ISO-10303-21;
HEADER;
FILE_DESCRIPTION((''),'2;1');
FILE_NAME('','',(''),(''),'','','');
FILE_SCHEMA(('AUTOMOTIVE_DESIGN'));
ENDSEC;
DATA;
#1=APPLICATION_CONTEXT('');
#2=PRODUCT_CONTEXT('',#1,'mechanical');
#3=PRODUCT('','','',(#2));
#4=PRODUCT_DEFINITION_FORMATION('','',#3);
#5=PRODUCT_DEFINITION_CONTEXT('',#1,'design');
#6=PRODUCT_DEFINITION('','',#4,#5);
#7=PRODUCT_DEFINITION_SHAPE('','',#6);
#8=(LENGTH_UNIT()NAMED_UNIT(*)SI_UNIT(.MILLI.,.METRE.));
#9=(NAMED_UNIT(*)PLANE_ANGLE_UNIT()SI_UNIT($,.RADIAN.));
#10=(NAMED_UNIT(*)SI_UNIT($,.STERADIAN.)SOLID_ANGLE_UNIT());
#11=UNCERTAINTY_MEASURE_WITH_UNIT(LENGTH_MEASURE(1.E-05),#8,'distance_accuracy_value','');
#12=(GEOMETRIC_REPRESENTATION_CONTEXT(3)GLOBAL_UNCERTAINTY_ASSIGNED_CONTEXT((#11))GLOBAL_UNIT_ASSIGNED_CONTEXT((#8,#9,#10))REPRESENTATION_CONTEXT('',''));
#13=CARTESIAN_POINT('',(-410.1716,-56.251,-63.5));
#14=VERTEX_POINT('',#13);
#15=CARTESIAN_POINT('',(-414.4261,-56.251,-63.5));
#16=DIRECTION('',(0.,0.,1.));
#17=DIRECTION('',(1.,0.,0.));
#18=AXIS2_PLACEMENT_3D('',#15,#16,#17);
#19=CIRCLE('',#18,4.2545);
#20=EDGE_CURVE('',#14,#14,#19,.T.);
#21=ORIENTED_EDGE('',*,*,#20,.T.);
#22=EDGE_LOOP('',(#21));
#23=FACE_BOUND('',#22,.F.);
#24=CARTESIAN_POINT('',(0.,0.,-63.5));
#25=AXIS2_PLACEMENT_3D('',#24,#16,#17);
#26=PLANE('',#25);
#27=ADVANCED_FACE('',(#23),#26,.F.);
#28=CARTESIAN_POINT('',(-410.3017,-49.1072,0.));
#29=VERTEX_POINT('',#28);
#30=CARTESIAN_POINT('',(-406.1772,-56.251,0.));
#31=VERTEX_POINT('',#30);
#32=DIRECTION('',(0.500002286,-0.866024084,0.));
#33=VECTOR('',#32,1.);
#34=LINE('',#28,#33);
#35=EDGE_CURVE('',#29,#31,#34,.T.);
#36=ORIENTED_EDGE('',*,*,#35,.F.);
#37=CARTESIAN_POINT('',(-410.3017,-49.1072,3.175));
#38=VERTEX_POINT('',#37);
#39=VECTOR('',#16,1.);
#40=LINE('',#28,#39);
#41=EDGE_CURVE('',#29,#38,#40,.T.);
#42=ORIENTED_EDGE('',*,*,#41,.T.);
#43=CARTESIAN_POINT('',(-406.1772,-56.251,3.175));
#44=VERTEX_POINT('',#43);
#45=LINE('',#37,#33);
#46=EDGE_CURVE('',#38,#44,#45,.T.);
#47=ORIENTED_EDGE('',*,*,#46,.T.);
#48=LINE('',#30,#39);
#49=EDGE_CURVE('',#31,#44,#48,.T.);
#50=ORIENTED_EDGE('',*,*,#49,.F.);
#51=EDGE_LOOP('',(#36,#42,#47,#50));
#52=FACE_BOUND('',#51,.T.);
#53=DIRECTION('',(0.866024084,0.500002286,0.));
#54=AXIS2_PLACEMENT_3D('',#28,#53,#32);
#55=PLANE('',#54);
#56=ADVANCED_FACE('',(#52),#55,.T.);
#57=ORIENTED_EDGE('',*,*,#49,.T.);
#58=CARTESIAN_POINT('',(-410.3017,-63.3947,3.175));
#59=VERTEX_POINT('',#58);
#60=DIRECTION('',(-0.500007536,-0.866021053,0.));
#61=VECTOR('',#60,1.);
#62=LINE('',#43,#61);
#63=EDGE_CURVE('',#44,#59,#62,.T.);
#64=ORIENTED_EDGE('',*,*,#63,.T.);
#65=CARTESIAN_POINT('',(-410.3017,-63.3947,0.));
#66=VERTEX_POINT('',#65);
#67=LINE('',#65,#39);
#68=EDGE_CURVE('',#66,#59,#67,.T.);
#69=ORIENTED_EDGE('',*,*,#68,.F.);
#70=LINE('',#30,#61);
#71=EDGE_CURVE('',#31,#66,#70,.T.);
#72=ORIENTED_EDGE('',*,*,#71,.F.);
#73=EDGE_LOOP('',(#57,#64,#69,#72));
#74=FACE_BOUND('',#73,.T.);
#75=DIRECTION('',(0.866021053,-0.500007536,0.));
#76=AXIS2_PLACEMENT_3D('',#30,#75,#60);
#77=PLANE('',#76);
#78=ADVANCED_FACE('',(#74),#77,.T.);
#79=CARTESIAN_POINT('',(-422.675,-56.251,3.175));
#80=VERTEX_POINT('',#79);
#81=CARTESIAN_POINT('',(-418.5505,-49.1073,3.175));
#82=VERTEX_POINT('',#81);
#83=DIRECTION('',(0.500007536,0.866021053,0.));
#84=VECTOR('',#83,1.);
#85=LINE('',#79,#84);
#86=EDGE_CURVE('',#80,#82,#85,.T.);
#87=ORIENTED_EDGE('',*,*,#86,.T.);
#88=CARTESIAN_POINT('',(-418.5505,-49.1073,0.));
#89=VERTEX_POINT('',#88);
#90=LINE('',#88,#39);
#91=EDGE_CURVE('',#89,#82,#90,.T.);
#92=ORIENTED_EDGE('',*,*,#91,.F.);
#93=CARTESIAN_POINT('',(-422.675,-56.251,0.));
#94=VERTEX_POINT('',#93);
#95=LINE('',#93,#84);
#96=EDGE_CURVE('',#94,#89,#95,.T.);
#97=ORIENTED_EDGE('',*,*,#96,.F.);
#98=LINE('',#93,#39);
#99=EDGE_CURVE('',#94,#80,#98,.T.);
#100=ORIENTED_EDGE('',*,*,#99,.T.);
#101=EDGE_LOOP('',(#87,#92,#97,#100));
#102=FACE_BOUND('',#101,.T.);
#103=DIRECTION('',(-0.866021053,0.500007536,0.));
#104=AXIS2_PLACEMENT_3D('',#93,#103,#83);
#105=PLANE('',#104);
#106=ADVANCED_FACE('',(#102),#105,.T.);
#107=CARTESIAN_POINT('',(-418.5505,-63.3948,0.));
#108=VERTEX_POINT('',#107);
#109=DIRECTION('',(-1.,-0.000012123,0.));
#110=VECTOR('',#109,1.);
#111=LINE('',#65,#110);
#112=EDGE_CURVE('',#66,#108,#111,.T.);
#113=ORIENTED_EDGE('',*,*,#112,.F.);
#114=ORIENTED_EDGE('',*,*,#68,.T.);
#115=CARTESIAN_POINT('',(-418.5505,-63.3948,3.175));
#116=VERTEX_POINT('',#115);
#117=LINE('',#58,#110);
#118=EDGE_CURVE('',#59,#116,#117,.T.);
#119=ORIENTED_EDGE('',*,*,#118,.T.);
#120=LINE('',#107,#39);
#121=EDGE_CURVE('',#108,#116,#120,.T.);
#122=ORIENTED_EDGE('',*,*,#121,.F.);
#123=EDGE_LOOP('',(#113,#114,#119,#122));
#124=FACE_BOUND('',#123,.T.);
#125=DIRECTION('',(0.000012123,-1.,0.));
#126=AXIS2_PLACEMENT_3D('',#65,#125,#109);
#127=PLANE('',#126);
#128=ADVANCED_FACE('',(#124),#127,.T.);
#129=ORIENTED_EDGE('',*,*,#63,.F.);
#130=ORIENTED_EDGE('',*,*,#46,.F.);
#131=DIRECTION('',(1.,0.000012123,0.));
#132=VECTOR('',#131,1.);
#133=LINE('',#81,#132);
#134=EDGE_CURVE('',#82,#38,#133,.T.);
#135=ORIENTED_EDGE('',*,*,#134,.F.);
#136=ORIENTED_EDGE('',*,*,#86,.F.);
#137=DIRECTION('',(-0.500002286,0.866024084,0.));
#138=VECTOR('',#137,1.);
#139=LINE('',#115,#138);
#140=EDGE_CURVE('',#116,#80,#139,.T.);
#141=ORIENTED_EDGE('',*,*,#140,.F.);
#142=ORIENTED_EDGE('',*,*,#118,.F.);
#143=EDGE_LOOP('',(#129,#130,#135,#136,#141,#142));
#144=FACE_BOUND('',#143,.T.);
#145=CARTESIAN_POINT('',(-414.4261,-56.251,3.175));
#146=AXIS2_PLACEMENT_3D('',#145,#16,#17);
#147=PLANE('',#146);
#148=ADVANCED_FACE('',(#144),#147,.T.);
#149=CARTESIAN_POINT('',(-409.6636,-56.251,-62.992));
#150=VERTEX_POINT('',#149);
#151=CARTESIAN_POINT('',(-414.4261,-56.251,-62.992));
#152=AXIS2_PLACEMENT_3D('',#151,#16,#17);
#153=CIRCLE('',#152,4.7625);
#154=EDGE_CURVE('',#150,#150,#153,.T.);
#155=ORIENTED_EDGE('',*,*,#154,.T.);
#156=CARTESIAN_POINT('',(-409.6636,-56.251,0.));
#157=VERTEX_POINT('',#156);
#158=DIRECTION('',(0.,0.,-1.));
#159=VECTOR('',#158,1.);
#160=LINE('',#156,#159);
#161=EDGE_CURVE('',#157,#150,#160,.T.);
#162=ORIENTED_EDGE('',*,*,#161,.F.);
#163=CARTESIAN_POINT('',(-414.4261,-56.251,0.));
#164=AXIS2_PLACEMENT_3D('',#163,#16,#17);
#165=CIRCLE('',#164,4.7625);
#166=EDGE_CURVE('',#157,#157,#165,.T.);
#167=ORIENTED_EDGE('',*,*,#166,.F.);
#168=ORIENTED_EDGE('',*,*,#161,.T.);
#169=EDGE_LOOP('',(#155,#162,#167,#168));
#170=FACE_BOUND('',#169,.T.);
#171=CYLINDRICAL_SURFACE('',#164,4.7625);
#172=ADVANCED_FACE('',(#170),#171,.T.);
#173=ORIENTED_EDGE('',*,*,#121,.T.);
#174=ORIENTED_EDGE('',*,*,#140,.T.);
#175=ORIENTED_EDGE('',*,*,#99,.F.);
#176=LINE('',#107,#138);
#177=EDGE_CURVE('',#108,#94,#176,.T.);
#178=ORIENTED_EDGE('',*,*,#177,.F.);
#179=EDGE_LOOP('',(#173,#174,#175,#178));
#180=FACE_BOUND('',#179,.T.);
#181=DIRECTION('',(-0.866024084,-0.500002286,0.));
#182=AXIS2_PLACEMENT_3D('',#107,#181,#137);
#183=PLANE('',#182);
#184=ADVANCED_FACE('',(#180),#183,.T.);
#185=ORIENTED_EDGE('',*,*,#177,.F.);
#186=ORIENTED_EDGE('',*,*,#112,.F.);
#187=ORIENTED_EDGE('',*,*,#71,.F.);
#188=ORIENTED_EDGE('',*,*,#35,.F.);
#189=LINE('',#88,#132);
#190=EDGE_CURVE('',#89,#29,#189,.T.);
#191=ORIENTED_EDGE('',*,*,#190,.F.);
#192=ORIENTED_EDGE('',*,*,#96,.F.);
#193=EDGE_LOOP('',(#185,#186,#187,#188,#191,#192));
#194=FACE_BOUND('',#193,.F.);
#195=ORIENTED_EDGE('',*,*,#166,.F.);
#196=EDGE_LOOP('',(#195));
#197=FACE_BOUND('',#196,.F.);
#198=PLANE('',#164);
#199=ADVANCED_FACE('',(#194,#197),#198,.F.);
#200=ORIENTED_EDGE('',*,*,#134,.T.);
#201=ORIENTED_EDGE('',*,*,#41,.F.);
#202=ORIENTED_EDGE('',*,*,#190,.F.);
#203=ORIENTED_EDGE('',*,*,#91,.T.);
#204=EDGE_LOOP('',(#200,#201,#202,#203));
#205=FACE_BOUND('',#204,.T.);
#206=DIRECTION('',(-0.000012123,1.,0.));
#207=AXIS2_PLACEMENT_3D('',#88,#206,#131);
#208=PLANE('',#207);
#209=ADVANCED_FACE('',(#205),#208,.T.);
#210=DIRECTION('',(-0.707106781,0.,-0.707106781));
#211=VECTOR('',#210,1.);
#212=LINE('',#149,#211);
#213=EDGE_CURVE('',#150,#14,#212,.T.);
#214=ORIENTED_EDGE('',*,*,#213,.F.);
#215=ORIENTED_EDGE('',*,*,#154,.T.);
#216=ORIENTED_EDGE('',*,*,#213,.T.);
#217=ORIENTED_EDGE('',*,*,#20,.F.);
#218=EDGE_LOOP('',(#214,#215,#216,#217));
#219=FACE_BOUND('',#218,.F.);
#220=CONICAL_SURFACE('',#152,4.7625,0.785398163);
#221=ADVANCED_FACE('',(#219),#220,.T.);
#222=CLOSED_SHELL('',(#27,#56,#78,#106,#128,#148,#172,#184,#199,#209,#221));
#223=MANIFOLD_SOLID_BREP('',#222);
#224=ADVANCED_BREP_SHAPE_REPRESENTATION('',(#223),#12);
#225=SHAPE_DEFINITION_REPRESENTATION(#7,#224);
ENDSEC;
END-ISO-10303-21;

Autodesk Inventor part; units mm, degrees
ref_plane "YZ Plane" through (0, 0, 0) normal (1, 0, 0) x (0, 1, 0)
ref_plane "XZ Plane" through (0, 0, 0) normal (0, 1, 0) x (-1, 0, 0)
ref_plane "XY Plane" through (0, 0, 0) normal (0, 0, 1) x (1, 0, 0)
sketch "Sketch1" plane through (0, 0, 0) normal (0, 0, 1) x (1, 0, 0)
  circle A0 centre (-414.4261, -56.251) radius 4.7625
  point P0 (0, 0)
  dimension "d0" = 9.525
extrude "Extrusion1" add sketch "Sketch1" against normal blind 63.5
sketch "Sketch2" plane through (-414.4261, -56.251, 0) normal (0, 0, 1) x (1, 0, 0)
  circle A0 centre (0, 0) radius 4.7625 projected
  line L0 (-8.2489, 0) -> (-4.1244, 7.1437)
  line L1 (-4.1244, 7.1437) -> (4.1244, 7.1438)
  line L2 (4.1244, 7.1438) -> (8.2489, 0)
  line L3 (8.2489, 0) -> (4.1244, -7.1437)
  line L4 (4.1244, -7.1437) -> (-4.1244, -7.1438)
  line L5 (-4.1244, -7.1438) -> (-8.2489, 0)
  point P0 (414.4261, 56.251)
  dimension "d3" = 14.2875
extrude "Extrusion2" add sketch "Sketch2" along normal blind 3.175 contours A0 | L0 L1 L2 L3 L4 L5
thread "Thread1" size "3/8-16 UNC" class "2A" standard "ANSI Unified Screw Threads" length 25.4
chamfer "Chamfer1" distance 0.508 angle 45 1 edges at (-419.1886, -56.251, -63.5)
properties part number "375 bolt x4" material "Steel"
